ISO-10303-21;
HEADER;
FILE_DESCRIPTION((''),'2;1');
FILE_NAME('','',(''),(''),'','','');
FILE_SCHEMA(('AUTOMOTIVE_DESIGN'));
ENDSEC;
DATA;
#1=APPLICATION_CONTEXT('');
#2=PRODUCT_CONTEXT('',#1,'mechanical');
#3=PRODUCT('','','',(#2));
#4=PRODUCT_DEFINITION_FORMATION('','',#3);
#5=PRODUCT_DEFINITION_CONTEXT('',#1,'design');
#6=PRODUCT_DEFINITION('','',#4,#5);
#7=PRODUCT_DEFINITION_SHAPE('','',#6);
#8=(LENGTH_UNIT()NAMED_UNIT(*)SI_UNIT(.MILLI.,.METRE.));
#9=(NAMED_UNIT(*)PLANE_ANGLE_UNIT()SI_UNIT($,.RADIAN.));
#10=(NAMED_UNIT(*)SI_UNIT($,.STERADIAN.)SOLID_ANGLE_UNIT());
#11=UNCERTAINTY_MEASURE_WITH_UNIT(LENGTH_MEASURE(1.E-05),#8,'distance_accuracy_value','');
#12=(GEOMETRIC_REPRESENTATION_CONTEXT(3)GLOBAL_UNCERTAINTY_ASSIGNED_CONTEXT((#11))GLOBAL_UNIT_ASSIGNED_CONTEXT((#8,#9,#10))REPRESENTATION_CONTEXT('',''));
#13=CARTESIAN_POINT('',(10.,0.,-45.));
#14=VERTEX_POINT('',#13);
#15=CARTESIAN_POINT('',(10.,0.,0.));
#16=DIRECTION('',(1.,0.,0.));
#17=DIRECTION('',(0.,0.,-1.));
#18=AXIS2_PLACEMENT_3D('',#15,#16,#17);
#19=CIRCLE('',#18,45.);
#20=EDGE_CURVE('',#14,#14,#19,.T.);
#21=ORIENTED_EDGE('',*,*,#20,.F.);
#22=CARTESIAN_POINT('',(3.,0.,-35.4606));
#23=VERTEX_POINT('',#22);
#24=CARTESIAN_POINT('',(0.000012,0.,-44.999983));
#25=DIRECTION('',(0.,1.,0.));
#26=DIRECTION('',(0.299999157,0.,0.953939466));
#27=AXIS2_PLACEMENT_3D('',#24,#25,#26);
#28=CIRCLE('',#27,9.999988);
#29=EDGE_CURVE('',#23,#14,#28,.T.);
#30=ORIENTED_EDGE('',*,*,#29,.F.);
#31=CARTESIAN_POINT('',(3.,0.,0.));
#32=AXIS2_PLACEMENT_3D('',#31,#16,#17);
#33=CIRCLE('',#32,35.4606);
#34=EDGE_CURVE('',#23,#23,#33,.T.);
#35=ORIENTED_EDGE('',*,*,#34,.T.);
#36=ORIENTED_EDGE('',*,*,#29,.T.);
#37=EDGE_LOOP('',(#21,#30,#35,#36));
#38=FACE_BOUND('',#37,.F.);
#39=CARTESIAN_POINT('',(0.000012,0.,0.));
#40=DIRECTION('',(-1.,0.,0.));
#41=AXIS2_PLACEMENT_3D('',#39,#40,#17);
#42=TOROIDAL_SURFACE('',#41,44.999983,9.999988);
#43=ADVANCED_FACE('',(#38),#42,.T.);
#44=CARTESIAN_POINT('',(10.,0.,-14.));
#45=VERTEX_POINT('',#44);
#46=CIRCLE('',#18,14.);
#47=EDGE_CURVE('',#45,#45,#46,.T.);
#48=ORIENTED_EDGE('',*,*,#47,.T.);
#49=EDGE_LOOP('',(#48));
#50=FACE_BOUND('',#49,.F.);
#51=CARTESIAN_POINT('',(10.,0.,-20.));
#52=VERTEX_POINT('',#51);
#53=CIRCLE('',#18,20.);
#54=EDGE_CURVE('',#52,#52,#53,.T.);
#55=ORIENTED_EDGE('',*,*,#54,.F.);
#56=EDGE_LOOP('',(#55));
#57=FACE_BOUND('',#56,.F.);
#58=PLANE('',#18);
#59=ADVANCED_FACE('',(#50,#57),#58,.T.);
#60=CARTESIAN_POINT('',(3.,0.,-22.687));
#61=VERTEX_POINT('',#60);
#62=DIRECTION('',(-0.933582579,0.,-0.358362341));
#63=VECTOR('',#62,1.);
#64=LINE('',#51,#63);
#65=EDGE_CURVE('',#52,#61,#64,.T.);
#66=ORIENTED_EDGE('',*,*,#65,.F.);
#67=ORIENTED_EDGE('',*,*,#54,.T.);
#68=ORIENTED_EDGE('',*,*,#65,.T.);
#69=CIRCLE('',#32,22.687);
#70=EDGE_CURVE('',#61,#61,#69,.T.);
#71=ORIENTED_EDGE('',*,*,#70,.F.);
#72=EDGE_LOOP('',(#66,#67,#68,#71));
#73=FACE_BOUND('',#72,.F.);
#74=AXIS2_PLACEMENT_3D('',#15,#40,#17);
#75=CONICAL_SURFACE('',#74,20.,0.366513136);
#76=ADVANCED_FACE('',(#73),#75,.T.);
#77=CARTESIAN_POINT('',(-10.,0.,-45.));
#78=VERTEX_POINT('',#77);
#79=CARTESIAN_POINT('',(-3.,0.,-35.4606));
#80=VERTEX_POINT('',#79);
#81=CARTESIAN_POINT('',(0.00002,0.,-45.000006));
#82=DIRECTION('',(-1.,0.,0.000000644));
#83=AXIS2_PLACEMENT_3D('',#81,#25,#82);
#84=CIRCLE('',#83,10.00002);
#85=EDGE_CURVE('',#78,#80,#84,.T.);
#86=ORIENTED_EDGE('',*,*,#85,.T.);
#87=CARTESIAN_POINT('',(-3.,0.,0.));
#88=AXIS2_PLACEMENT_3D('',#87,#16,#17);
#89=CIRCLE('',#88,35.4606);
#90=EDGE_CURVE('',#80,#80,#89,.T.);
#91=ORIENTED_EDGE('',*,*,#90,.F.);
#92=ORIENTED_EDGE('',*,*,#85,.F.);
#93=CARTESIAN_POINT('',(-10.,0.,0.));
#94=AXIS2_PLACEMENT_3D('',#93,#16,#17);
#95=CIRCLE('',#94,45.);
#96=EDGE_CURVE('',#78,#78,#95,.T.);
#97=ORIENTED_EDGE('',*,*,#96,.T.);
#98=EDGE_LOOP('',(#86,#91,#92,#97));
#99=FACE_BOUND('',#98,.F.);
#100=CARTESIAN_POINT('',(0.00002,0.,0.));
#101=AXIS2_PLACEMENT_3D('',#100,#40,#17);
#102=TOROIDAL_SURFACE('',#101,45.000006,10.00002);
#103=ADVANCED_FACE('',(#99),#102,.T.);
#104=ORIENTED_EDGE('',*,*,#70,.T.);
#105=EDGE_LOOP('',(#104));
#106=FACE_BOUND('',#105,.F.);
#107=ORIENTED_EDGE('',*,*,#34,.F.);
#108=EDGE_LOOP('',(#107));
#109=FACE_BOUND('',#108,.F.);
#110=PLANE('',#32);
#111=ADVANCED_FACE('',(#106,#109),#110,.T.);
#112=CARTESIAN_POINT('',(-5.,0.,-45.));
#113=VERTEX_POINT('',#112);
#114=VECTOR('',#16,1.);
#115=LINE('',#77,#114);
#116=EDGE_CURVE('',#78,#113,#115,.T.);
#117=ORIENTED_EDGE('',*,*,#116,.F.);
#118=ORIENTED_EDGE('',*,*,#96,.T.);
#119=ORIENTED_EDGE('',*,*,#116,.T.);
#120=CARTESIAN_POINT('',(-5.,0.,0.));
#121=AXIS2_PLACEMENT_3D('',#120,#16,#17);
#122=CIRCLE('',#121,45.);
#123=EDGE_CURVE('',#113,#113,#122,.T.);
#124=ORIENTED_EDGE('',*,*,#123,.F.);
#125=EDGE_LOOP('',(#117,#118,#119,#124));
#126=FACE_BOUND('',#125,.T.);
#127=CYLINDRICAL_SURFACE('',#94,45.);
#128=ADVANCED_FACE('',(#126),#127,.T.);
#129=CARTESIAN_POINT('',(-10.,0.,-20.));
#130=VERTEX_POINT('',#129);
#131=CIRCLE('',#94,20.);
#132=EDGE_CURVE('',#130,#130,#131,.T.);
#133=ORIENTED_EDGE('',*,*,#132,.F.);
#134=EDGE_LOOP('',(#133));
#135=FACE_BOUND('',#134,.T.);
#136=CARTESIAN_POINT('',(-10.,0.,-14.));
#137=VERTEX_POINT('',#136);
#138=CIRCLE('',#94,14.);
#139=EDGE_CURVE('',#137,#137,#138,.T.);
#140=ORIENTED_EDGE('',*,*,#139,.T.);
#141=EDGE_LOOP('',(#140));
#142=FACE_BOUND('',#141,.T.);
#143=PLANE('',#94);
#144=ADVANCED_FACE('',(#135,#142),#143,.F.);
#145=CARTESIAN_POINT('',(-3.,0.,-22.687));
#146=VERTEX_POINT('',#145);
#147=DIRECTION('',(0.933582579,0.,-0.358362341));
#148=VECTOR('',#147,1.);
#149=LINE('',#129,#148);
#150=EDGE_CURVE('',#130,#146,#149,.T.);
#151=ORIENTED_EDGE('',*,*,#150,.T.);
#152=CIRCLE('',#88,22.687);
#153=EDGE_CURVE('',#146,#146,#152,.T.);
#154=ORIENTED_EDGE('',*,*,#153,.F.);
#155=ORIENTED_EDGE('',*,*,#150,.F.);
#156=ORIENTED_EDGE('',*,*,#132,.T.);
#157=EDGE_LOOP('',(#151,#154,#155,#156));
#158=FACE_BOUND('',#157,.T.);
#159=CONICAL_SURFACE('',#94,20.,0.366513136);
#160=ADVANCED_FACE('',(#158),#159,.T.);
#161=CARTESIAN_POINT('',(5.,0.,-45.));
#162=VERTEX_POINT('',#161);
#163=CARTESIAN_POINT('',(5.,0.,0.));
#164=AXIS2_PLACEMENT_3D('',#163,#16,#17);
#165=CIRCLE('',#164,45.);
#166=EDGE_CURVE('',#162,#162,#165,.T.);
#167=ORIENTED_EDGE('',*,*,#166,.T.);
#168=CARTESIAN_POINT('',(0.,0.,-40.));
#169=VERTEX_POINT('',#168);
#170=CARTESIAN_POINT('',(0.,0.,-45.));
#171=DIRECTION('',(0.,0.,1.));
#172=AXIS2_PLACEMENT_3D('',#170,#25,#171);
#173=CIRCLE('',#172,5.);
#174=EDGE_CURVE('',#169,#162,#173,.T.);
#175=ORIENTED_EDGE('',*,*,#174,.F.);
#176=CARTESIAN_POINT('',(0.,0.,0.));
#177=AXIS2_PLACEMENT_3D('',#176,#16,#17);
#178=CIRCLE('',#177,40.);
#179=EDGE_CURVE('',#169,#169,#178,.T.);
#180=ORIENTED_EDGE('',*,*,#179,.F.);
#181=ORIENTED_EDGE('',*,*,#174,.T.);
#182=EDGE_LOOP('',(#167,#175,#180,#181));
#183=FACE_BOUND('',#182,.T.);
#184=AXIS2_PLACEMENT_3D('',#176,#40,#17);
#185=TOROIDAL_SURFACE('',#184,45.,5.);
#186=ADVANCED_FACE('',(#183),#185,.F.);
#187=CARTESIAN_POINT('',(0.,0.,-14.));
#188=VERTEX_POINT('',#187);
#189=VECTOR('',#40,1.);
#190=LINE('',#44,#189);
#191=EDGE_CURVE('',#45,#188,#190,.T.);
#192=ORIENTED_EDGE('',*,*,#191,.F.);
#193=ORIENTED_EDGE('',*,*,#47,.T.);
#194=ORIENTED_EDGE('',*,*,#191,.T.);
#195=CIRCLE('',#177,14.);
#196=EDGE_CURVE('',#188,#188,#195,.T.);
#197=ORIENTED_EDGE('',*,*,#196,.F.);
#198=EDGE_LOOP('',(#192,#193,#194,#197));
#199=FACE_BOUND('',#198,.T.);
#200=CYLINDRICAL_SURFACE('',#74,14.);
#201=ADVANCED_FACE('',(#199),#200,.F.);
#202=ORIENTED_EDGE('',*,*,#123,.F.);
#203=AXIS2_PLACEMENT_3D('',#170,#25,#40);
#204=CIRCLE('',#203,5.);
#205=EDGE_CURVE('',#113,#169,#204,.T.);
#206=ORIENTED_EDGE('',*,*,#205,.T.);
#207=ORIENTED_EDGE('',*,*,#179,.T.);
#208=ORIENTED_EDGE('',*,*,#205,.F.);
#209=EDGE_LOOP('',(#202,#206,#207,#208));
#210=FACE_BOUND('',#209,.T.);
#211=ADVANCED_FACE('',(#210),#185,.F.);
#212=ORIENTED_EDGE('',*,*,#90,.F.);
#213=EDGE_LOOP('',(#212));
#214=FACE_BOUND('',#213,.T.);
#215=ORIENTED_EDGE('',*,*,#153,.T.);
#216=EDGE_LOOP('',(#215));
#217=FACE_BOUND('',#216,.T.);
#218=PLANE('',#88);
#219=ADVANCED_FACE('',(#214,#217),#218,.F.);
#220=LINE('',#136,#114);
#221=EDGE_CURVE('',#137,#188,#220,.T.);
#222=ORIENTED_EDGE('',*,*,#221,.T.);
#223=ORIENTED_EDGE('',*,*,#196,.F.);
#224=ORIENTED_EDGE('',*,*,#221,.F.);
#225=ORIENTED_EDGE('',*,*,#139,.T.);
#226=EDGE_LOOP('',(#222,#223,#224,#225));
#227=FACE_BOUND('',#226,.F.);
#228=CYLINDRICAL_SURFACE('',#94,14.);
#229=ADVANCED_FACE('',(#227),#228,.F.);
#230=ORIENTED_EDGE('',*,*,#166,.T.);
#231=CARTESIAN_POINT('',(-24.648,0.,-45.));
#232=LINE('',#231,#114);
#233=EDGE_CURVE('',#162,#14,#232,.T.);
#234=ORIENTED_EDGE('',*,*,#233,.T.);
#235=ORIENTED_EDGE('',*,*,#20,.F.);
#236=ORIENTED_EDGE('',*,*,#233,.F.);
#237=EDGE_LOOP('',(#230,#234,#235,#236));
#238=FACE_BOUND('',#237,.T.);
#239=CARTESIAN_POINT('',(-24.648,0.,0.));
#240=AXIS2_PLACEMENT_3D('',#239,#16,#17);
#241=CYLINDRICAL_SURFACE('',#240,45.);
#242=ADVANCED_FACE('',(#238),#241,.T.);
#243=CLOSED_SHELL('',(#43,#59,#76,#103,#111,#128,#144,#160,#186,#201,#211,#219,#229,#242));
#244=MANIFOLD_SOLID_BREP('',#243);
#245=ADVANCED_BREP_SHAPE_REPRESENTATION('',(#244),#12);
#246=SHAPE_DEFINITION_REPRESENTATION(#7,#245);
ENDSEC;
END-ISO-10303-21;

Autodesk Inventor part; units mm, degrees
ref_plane "YZ Plane" through (0, 0, 0) normal (1, 0, 0) x (0, 1, 0)
ref_plane "XZ Plane" through (0, 0, 0) normal (0, 1, 0) x (-1, 0, 0)
ref_plane "XY Plane" through (0, 0, 0) normal (0, 0, 1) x (1, 0, 0)
sketch "Náčrt1" plane through (0, 0, 0) normal (0, 1, 0) x (-1, 0, 0)
  line L0 (10, -14) -> (0, -14)
  line L1 (10, -14) -> (10, -20)
  line L2 (10, -20) -> (3, -22.687)
  line L3 (3, -22.687) -> (3, -35.4606)
  line L4 (0, 0) -> (-43.8955, 0)
  arc A0 (10, -45) -> (3, -35.4606) centre (0, -45) ccw
  line L5 (0, 0) -> (0, -73.1539)
  line L6 (10, -45) -> (5, -45)
  arc A1 (5, -45) -> (0, -40) centre (0, -45) ccw
  line L7 (24.648, -45) -> (-37.389, -45)
  line L8 (10, -45) -> (10, -56.6969)
  line L9 (-10, -14) -> (0, -14)
  line L10 (-10, -14) -> (-10, -20)
  line L11 (-10, -20) -> (-3, -22.687)
  line L12 (-3, -22.687) -> (-3, -35.4606)
  arc A2 (-3, -35.4606) -> (-10, -45) centre (0, -45) ccw
  line L13 (-10, -45) -> (-5, -45)
  arc A3 (0, -40) -> (-5, -45) centre (0, -45) ccw
  point P0 (0, -53)
  dimension "d1" = 111
  dimension "d3" = 28
  dimension "d63" = 10
  dimension "d64" = 5
  dimension "d65" = 6
  dimension "d67" = 80
  dimension "d68" = 6
revolve "Rotace1" add sketch "Náčrt1" angle 360 about axis through (0, 0, 0) along (1, 0, 0) contours L1 L2 L3 A0 L6 A1 L5 L0 | L5 A3 L7 A2 L12 L11 L10 L9
properties part number "pulley"
